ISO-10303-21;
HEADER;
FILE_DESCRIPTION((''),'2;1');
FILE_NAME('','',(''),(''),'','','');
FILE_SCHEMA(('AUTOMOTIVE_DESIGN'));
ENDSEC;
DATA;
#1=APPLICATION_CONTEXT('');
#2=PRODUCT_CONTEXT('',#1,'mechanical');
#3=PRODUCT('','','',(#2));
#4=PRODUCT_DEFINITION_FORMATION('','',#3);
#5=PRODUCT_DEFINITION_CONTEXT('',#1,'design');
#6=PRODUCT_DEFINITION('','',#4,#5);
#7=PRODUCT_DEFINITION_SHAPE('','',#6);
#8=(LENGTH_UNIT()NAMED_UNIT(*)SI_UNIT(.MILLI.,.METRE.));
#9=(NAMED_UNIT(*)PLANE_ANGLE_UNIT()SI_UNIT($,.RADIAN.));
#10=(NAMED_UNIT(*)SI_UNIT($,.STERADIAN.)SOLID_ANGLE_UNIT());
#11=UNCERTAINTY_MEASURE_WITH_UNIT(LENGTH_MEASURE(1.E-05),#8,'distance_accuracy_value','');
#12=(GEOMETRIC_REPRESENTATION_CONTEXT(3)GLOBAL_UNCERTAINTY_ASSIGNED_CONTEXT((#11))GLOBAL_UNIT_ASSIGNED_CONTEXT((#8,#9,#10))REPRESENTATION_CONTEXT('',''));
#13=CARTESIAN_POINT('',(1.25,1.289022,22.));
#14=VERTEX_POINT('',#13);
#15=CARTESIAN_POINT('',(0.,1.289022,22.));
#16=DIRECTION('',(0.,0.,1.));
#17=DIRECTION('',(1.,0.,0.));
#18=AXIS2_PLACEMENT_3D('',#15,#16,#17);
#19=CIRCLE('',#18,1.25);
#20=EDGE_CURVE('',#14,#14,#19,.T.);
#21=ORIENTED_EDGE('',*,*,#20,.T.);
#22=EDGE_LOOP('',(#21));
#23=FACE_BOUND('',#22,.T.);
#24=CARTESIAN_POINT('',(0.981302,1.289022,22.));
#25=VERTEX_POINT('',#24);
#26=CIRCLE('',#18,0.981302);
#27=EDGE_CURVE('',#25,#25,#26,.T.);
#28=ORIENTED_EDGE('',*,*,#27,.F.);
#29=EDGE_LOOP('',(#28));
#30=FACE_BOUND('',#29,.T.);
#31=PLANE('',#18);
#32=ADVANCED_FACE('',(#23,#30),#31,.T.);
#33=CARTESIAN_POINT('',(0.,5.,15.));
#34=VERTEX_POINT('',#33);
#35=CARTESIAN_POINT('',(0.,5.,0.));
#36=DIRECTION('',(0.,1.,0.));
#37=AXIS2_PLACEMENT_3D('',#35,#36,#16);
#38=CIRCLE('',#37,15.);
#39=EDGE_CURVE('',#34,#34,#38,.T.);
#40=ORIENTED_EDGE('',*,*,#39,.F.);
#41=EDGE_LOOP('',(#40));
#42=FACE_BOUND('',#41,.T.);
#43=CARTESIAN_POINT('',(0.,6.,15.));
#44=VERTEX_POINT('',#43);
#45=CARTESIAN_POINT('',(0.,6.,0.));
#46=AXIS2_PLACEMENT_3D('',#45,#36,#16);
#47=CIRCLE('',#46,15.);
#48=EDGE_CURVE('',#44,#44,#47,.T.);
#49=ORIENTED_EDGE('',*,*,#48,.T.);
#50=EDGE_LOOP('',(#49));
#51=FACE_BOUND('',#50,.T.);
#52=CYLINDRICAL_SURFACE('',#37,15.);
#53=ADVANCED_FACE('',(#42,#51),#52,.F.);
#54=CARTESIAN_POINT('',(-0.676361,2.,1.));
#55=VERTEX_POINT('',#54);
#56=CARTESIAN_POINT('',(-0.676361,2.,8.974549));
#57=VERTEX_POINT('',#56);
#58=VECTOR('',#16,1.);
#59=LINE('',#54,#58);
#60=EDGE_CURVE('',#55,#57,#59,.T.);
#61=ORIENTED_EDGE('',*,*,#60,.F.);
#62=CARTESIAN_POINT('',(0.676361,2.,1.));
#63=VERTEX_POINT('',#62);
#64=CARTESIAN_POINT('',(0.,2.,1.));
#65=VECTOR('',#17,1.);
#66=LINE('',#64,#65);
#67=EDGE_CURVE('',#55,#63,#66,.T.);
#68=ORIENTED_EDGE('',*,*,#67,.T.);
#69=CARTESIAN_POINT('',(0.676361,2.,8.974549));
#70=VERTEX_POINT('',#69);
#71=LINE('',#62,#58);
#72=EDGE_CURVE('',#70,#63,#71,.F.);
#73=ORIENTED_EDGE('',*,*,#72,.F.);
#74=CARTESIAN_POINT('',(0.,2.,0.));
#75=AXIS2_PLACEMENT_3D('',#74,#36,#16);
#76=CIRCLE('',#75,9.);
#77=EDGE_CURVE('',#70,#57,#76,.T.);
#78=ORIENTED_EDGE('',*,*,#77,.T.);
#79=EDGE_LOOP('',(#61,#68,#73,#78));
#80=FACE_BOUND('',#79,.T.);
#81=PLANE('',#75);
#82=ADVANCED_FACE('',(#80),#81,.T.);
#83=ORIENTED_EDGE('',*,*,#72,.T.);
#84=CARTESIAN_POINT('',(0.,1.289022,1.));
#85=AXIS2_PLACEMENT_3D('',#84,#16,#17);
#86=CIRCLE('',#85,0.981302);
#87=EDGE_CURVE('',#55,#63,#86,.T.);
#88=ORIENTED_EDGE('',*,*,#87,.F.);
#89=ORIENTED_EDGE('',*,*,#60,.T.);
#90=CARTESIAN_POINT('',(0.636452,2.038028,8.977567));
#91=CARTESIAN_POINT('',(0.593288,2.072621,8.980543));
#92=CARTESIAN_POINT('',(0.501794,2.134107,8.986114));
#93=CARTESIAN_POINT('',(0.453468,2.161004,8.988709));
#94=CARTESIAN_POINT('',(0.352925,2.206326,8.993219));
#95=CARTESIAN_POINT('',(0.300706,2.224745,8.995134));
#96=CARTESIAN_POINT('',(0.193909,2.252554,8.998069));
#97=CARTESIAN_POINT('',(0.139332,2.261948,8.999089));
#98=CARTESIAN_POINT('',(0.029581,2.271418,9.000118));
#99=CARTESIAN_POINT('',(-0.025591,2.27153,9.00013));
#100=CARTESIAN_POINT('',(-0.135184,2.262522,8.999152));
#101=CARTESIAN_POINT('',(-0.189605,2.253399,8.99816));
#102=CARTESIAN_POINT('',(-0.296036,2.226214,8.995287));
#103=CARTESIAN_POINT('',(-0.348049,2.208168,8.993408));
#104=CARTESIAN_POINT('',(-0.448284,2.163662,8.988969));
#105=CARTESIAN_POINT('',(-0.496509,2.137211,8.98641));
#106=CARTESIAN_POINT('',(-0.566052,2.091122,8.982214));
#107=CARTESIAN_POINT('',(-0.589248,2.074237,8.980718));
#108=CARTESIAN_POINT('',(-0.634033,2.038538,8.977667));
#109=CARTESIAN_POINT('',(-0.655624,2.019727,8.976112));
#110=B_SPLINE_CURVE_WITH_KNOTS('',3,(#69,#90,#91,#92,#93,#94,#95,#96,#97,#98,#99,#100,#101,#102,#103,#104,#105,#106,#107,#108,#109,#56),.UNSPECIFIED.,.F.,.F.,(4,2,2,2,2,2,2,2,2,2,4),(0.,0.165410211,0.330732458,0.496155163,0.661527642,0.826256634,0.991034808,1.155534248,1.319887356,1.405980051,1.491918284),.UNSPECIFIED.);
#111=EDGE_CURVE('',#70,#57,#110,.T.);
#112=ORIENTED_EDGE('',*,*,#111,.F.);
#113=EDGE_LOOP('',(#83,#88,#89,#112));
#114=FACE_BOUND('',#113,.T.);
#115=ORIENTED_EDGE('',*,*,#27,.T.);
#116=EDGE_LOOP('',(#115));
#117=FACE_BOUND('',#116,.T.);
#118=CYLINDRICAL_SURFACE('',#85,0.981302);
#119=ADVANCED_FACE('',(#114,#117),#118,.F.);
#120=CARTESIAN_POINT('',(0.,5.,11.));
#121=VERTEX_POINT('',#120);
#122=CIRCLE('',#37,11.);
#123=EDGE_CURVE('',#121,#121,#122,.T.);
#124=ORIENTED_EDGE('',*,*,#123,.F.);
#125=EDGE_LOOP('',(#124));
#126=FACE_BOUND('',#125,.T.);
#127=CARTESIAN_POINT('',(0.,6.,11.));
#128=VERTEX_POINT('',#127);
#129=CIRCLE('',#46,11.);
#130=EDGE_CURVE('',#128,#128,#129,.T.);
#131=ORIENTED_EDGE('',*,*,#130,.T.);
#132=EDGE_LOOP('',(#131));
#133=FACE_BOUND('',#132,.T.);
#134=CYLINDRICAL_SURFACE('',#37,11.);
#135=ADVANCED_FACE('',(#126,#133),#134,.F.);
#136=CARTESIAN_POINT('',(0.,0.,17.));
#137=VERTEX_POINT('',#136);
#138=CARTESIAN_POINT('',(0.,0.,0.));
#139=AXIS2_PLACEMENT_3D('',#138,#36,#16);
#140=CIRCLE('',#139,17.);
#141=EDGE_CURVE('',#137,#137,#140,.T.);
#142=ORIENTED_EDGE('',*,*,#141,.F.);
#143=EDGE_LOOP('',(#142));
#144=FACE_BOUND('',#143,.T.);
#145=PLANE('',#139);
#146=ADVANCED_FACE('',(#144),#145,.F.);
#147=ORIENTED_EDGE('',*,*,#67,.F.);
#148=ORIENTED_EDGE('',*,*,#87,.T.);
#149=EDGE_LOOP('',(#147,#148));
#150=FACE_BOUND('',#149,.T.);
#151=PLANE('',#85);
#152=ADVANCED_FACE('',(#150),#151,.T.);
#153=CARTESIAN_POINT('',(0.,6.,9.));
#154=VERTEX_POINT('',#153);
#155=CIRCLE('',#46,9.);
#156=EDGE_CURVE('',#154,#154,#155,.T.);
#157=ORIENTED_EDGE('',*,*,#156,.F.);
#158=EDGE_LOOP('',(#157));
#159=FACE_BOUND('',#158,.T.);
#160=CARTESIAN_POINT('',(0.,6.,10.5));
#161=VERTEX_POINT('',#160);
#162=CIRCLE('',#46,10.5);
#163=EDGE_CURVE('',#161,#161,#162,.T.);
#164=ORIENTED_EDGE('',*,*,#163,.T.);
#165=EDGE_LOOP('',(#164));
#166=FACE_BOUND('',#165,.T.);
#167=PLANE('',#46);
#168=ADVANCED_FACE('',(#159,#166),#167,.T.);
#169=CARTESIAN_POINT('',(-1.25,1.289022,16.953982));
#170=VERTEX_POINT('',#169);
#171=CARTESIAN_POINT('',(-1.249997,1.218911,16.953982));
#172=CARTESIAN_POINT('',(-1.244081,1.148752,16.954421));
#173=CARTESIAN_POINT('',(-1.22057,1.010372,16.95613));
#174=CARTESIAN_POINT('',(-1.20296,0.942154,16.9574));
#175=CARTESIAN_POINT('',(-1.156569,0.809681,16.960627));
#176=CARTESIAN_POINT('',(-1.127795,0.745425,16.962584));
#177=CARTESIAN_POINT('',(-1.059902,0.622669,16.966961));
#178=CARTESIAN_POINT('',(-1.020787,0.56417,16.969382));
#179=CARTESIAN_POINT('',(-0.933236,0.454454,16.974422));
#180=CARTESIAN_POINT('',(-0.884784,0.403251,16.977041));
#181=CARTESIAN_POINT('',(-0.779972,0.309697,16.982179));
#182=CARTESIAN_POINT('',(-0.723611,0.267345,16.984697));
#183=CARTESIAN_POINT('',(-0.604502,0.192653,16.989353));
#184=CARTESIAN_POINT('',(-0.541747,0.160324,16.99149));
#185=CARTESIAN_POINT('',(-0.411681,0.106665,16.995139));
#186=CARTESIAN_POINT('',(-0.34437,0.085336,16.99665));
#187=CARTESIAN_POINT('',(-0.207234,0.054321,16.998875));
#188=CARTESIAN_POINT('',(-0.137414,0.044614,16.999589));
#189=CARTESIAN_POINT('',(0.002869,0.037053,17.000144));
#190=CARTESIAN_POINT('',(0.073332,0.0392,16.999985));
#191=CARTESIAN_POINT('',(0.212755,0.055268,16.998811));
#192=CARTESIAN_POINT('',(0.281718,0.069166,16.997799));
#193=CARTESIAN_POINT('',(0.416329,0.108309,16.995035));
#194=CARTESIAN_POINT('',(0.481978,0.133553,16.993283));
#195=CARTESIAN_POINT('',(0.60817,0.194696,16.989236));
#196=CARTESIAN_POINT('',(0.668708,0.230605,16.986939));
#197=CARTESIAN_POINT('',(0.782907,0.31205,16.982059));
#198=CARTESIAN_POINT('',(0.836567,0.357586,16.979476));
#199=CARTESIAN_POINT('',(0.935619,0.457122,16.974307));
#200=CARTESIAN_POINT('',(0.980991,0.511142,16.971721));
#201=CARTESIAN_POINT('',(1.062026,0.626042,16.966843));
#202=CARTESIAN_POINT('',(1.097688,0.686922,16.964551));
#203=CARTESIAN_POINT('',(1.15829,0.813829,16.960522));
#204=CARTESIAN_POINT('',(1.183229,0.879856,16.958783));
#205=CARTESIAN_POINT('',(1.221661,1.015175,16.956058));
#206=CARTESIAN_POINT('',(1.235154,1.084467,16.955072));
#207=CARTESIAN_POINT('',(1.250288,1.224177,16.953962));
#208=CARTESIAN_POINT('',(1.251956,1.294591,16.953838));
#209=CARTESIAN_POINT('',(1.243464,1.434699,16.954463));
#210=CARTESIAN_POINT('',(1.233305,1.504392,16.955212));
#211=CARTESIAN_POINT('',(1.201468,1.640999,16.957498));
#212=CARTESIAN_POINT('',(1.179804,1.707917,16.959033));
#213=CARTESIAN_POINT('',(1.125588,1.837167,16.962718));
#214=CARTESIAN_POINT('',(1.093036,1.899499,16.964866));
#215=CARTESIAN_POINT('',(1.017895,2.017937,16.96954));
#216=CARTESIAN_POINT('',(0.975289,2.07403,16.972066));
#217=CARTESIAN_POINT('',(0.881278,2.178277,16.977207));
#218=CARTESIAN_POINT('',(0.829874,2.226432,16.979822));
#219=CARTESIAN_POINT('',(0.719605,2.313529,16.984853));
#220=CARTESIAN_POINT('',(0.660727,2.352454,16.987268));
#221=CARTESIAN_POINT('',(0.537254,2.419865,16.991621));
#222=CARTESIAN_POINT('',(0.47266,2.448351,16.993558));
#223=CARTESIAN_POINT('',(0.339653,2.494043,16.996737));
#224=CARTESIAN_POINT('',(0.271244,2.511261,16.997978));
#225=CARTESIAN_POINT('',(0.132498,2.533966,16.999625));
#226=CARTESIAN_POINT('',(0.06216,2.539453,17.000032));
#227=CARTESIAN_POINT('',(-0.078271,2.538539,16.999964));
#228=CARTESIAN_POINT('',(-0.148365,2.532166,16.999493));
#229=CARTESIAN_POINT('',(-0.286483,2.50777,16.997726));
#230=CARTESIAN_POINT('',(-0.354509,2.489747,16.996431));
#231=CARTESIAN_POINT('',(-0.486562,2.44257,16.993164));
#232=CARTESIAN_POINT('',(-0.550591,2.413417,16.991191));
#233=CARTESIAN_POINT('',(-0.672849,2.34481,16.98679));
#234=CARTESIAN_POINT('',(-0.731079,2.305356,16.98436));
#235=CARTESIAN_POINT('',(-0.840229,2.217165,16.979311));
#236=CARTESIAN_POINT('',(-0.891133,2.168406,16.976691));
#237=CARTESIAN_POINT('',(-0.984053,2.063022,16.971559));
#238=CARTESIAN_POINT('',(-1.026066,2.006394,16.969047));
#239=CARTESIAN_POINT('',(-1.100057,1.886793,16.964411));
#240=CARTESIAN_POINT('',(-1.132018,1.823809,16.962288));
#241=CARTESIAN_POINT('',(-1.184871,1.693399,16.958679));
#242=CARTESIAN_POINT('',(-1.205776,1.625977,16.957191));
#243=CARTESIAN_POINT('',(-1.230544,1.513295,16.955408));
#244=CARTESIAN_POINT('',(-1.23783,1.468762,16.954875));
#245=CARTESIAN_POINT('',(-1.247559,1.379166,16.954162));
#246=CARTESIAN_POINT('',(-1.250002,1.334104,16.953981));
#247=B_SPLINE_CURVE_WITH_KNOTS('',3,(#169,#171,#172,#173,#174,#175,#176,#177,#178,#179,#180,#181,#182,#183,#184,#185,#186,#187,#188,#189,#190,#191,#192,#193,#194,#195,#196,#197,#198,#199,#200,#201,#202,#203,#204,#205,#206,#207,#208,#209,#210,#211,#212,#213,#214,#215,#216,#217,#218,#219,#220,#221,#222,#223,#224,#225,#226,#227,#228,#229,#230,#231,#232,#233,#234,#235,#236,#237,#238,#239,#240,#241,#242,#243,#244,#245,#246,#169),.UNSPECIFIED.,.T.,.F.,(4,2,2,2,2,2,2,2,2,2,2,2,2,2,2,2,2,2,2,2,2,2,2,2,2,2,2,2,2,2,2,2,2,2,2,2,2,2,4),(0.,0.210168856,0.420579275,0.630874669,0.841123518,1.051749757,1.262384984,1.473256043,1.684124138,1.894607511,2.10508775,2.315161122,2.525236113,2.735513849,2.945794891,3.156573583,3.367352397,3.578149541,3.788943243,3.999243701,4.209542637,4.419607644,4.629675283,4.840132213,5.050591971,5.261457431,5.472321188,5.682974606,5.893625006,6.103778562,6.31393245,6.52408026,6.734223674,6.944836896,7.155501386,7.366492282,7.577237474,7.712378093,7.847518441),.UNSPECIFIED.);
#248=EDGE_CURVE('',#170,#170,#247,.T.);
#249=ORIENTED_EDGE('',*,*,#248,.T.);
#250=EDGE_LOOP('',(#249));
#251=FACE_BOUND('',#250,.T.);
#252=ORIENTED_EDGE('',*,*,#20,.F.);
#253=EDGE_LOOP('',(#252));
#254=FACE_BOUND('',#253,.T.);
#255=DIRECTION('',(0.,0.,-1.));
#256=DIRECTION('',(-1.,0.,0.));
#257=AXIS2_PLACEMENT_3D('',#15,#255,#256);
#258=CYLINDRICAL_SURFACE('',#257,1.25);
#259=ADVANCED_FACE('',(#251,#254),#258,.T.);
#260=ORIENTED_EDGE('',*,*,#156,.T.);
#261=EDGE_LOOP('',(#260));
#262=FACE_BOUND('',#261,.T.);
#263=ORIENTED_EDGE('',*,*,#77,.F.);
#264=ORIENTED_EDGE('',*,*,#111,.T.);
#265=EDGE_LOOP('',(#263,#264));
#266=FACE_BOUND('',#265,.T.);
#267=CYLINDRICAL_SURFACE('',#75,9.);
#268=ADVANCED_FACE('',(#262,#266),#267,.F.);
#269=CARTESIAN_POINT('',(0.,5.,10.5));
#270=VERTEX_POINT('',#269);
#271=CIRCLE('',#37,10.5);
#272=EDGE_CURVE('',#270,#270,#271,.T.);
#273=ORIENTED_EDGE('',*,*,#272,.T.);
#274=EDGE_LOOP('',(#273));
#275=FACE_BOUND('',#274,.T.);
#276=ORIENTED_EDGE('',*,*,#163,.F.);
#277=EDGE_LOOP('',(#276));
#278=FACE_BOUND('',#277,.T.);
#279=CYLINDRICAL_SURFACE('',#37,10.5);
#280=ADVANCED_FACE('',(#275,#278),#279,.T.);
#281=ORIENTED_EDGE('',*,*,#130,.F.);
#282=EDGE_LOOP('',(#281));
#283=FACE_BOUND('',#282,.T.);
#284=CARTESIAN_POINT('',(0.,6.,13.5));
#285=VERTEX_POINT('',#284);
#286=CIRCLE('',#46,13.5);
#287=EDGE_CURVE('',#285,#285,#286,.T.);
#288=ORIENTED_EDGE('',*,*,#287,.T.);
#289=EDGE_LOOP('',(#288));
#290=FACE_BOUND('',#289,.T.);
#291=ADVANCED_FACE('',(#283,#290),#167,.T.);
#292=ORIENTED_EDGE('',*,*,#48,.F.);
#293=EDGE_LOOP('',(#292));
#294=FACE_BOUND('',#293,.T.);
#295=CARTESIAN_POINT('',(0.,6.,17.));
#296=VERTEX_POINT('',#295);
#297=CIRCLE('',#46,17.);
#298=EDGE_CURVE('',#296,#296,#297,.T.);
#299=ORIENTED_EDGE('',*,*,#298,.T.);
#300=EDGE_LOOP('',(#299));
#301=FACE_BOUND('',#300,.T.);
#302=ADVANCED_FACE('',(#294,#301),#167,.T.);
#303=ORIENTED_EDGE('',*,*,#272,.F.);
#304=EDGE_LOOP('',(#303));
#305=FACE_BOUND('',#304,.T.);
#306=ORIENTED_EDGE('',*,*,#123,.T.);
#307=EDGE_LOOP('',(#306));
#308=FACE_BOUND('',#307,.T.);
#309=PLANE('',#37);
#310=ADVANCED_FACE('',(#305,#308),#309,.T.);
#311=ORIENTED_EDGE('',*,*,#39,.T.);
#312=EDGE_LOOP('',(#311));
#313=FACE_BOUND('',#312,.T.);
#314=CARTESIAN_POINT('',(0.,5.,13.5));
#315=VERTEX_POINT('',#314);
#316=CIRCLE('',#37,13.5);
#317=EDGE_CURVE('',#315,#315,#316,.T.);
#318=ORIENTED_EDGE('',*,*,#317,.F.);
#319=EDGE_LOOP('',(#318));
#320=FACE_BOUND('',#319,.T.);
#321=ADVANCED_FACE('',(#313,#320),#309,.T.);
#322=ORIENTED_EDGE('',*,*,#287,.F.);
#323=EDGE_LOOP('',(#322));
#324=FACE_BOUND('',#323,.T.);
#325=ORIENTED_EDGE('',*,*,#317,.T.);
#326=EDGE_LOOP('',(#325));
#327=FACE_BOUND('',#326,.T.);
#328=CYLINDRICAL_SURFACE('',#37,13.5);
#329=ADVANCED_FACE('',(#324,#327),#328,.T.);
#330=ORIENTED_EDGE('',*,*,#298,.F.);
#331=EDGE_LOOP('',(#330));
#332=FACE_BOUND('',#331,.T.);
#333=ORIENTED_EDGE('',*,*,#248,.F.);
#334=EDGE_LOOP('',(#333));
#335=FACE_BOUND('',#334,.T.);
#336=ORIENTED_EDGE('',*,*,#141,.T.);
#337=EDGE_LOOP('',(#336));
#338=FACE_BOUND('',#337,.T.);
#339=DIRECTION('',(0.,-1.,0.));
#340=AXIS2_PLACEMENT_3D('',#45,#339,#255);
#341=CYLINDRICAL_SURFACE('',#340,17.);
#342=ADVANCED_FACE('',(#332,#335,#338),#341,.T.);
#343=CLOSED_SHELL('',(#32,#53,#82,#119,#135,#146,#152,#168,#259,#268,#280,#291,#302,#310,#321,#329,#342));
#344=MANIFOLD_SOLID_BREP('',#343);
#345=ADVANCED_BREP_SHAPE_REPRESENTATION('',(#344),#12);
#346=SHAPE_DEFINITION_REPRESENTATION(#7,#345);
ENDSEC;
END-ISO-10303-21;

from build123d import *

# Parameters (mm, degrees)
SKETCH1_R           = 17
BOSS_EXTRUDE1_DEPTH = 6
SKETCH2_R           = 15
SKETCH2_R_2         = 13.5
CUT_EXTRUDE1_DEPTH  = 1
SKETCH3_R           = 11
SKETCH3_R_2         = 10.5
CUT_EXTRUDE2_DEPTH  = 1
SKETCH4_R           = 9
CUT_EXTRUDE3_DEPTH  = 4
SKETCH8_R           = 1.25
BOSS_EXTRUDE2_DEPTH = 22
SKETCH9_R           = 9
CUT_EXTRUDE5_DEPTH  = 4
SKETCH10_R          = 0.981301711
CUT_EXTRUDE6_DEPTH  = 21


with BuildPart() as part:
    # Sketch1 → Boss-Extrude1 (new body)
    with BuildSketch(Plane(origin=(0, 0, 0), x_dir=(1, 0, 0), z_dir=(0, 1, 0))):
        Circle(SKETCH1_R)
    extrude(amount=BOSS_EXTRUDE1_DEPTH)

    # Sketch2 → Cut-Extrude1 (cut)
    with BuildSketch(Plane(origin=(0, 6, 0), x_dir=(1, 0, 0), z_dir=(0, 1, 0))):
        Circle(SKETCH2_R)
        Circle(SKETCH2_R_2, mode=Mode.SUBTRACT)
    extrude(amount=-CUT_EXTRUDE1_DEPTH, mode=Mode.SUBTRACT)

    # Sketch3 → Cut-Extrude2 (cut)
    with BuildSketch(Plane(origin=(0, 6, 0), x_dir=(1, 0, 0), z_dir=(0, 1, 0))):
        Circle(SKETCH3_R)
        Circle(SKETCH3_R_2, mode=Mode.SUBTRACT)
    extrude(amount=-CUT_EXTRUDE2_DEPTH, mode=Mode.SUBTRACT)

    # Sketch4 → Cut-Extrude3 (cut)
    with BuildSketch(Plane(origin=(0, 6, 0), x_dir=(1, 0, 0), z_dir=(0, 1, 0))):
        Circle(SKETCH4_R)
    extrude(amount=-CUT_EXTRUDE3_DEPTH, mode=Mode.SUBTRACT)

    # Sketch8 → Boss-Extrude2 (add)
    with BuildSketch(Plane.XY):
        with Locations((0, 1.289022222)):
            Circle(SKETCH8_R)
    extrude(amount=BOSS_EXTRUDE2_DEPTH)

    # Sketch9 → Cut-Extrude5 (cut)
    with BuildSketch(Plane(origin=(0, 6, 0), x_dir=(1, 0, 0), z_dir=(0, 1, 0))):
        Circle(SKETCH9_R)
    extrude(amount=-CUT_EXTRUDE5_DEPTH, mode=Mode.SUBTRACT)

    # Sketch10 → Cut-Extrude6 (cut)
    with BuildSketch(Plane.XY.offset(22)):
        with Locations((0, 1.289022222)):
            Circle(SKETCH10_R)
    extrude(amount=-CUT_EXTRUDE6_DEPTH, mode=Mode.SUBTRACT)


solid = part.part
